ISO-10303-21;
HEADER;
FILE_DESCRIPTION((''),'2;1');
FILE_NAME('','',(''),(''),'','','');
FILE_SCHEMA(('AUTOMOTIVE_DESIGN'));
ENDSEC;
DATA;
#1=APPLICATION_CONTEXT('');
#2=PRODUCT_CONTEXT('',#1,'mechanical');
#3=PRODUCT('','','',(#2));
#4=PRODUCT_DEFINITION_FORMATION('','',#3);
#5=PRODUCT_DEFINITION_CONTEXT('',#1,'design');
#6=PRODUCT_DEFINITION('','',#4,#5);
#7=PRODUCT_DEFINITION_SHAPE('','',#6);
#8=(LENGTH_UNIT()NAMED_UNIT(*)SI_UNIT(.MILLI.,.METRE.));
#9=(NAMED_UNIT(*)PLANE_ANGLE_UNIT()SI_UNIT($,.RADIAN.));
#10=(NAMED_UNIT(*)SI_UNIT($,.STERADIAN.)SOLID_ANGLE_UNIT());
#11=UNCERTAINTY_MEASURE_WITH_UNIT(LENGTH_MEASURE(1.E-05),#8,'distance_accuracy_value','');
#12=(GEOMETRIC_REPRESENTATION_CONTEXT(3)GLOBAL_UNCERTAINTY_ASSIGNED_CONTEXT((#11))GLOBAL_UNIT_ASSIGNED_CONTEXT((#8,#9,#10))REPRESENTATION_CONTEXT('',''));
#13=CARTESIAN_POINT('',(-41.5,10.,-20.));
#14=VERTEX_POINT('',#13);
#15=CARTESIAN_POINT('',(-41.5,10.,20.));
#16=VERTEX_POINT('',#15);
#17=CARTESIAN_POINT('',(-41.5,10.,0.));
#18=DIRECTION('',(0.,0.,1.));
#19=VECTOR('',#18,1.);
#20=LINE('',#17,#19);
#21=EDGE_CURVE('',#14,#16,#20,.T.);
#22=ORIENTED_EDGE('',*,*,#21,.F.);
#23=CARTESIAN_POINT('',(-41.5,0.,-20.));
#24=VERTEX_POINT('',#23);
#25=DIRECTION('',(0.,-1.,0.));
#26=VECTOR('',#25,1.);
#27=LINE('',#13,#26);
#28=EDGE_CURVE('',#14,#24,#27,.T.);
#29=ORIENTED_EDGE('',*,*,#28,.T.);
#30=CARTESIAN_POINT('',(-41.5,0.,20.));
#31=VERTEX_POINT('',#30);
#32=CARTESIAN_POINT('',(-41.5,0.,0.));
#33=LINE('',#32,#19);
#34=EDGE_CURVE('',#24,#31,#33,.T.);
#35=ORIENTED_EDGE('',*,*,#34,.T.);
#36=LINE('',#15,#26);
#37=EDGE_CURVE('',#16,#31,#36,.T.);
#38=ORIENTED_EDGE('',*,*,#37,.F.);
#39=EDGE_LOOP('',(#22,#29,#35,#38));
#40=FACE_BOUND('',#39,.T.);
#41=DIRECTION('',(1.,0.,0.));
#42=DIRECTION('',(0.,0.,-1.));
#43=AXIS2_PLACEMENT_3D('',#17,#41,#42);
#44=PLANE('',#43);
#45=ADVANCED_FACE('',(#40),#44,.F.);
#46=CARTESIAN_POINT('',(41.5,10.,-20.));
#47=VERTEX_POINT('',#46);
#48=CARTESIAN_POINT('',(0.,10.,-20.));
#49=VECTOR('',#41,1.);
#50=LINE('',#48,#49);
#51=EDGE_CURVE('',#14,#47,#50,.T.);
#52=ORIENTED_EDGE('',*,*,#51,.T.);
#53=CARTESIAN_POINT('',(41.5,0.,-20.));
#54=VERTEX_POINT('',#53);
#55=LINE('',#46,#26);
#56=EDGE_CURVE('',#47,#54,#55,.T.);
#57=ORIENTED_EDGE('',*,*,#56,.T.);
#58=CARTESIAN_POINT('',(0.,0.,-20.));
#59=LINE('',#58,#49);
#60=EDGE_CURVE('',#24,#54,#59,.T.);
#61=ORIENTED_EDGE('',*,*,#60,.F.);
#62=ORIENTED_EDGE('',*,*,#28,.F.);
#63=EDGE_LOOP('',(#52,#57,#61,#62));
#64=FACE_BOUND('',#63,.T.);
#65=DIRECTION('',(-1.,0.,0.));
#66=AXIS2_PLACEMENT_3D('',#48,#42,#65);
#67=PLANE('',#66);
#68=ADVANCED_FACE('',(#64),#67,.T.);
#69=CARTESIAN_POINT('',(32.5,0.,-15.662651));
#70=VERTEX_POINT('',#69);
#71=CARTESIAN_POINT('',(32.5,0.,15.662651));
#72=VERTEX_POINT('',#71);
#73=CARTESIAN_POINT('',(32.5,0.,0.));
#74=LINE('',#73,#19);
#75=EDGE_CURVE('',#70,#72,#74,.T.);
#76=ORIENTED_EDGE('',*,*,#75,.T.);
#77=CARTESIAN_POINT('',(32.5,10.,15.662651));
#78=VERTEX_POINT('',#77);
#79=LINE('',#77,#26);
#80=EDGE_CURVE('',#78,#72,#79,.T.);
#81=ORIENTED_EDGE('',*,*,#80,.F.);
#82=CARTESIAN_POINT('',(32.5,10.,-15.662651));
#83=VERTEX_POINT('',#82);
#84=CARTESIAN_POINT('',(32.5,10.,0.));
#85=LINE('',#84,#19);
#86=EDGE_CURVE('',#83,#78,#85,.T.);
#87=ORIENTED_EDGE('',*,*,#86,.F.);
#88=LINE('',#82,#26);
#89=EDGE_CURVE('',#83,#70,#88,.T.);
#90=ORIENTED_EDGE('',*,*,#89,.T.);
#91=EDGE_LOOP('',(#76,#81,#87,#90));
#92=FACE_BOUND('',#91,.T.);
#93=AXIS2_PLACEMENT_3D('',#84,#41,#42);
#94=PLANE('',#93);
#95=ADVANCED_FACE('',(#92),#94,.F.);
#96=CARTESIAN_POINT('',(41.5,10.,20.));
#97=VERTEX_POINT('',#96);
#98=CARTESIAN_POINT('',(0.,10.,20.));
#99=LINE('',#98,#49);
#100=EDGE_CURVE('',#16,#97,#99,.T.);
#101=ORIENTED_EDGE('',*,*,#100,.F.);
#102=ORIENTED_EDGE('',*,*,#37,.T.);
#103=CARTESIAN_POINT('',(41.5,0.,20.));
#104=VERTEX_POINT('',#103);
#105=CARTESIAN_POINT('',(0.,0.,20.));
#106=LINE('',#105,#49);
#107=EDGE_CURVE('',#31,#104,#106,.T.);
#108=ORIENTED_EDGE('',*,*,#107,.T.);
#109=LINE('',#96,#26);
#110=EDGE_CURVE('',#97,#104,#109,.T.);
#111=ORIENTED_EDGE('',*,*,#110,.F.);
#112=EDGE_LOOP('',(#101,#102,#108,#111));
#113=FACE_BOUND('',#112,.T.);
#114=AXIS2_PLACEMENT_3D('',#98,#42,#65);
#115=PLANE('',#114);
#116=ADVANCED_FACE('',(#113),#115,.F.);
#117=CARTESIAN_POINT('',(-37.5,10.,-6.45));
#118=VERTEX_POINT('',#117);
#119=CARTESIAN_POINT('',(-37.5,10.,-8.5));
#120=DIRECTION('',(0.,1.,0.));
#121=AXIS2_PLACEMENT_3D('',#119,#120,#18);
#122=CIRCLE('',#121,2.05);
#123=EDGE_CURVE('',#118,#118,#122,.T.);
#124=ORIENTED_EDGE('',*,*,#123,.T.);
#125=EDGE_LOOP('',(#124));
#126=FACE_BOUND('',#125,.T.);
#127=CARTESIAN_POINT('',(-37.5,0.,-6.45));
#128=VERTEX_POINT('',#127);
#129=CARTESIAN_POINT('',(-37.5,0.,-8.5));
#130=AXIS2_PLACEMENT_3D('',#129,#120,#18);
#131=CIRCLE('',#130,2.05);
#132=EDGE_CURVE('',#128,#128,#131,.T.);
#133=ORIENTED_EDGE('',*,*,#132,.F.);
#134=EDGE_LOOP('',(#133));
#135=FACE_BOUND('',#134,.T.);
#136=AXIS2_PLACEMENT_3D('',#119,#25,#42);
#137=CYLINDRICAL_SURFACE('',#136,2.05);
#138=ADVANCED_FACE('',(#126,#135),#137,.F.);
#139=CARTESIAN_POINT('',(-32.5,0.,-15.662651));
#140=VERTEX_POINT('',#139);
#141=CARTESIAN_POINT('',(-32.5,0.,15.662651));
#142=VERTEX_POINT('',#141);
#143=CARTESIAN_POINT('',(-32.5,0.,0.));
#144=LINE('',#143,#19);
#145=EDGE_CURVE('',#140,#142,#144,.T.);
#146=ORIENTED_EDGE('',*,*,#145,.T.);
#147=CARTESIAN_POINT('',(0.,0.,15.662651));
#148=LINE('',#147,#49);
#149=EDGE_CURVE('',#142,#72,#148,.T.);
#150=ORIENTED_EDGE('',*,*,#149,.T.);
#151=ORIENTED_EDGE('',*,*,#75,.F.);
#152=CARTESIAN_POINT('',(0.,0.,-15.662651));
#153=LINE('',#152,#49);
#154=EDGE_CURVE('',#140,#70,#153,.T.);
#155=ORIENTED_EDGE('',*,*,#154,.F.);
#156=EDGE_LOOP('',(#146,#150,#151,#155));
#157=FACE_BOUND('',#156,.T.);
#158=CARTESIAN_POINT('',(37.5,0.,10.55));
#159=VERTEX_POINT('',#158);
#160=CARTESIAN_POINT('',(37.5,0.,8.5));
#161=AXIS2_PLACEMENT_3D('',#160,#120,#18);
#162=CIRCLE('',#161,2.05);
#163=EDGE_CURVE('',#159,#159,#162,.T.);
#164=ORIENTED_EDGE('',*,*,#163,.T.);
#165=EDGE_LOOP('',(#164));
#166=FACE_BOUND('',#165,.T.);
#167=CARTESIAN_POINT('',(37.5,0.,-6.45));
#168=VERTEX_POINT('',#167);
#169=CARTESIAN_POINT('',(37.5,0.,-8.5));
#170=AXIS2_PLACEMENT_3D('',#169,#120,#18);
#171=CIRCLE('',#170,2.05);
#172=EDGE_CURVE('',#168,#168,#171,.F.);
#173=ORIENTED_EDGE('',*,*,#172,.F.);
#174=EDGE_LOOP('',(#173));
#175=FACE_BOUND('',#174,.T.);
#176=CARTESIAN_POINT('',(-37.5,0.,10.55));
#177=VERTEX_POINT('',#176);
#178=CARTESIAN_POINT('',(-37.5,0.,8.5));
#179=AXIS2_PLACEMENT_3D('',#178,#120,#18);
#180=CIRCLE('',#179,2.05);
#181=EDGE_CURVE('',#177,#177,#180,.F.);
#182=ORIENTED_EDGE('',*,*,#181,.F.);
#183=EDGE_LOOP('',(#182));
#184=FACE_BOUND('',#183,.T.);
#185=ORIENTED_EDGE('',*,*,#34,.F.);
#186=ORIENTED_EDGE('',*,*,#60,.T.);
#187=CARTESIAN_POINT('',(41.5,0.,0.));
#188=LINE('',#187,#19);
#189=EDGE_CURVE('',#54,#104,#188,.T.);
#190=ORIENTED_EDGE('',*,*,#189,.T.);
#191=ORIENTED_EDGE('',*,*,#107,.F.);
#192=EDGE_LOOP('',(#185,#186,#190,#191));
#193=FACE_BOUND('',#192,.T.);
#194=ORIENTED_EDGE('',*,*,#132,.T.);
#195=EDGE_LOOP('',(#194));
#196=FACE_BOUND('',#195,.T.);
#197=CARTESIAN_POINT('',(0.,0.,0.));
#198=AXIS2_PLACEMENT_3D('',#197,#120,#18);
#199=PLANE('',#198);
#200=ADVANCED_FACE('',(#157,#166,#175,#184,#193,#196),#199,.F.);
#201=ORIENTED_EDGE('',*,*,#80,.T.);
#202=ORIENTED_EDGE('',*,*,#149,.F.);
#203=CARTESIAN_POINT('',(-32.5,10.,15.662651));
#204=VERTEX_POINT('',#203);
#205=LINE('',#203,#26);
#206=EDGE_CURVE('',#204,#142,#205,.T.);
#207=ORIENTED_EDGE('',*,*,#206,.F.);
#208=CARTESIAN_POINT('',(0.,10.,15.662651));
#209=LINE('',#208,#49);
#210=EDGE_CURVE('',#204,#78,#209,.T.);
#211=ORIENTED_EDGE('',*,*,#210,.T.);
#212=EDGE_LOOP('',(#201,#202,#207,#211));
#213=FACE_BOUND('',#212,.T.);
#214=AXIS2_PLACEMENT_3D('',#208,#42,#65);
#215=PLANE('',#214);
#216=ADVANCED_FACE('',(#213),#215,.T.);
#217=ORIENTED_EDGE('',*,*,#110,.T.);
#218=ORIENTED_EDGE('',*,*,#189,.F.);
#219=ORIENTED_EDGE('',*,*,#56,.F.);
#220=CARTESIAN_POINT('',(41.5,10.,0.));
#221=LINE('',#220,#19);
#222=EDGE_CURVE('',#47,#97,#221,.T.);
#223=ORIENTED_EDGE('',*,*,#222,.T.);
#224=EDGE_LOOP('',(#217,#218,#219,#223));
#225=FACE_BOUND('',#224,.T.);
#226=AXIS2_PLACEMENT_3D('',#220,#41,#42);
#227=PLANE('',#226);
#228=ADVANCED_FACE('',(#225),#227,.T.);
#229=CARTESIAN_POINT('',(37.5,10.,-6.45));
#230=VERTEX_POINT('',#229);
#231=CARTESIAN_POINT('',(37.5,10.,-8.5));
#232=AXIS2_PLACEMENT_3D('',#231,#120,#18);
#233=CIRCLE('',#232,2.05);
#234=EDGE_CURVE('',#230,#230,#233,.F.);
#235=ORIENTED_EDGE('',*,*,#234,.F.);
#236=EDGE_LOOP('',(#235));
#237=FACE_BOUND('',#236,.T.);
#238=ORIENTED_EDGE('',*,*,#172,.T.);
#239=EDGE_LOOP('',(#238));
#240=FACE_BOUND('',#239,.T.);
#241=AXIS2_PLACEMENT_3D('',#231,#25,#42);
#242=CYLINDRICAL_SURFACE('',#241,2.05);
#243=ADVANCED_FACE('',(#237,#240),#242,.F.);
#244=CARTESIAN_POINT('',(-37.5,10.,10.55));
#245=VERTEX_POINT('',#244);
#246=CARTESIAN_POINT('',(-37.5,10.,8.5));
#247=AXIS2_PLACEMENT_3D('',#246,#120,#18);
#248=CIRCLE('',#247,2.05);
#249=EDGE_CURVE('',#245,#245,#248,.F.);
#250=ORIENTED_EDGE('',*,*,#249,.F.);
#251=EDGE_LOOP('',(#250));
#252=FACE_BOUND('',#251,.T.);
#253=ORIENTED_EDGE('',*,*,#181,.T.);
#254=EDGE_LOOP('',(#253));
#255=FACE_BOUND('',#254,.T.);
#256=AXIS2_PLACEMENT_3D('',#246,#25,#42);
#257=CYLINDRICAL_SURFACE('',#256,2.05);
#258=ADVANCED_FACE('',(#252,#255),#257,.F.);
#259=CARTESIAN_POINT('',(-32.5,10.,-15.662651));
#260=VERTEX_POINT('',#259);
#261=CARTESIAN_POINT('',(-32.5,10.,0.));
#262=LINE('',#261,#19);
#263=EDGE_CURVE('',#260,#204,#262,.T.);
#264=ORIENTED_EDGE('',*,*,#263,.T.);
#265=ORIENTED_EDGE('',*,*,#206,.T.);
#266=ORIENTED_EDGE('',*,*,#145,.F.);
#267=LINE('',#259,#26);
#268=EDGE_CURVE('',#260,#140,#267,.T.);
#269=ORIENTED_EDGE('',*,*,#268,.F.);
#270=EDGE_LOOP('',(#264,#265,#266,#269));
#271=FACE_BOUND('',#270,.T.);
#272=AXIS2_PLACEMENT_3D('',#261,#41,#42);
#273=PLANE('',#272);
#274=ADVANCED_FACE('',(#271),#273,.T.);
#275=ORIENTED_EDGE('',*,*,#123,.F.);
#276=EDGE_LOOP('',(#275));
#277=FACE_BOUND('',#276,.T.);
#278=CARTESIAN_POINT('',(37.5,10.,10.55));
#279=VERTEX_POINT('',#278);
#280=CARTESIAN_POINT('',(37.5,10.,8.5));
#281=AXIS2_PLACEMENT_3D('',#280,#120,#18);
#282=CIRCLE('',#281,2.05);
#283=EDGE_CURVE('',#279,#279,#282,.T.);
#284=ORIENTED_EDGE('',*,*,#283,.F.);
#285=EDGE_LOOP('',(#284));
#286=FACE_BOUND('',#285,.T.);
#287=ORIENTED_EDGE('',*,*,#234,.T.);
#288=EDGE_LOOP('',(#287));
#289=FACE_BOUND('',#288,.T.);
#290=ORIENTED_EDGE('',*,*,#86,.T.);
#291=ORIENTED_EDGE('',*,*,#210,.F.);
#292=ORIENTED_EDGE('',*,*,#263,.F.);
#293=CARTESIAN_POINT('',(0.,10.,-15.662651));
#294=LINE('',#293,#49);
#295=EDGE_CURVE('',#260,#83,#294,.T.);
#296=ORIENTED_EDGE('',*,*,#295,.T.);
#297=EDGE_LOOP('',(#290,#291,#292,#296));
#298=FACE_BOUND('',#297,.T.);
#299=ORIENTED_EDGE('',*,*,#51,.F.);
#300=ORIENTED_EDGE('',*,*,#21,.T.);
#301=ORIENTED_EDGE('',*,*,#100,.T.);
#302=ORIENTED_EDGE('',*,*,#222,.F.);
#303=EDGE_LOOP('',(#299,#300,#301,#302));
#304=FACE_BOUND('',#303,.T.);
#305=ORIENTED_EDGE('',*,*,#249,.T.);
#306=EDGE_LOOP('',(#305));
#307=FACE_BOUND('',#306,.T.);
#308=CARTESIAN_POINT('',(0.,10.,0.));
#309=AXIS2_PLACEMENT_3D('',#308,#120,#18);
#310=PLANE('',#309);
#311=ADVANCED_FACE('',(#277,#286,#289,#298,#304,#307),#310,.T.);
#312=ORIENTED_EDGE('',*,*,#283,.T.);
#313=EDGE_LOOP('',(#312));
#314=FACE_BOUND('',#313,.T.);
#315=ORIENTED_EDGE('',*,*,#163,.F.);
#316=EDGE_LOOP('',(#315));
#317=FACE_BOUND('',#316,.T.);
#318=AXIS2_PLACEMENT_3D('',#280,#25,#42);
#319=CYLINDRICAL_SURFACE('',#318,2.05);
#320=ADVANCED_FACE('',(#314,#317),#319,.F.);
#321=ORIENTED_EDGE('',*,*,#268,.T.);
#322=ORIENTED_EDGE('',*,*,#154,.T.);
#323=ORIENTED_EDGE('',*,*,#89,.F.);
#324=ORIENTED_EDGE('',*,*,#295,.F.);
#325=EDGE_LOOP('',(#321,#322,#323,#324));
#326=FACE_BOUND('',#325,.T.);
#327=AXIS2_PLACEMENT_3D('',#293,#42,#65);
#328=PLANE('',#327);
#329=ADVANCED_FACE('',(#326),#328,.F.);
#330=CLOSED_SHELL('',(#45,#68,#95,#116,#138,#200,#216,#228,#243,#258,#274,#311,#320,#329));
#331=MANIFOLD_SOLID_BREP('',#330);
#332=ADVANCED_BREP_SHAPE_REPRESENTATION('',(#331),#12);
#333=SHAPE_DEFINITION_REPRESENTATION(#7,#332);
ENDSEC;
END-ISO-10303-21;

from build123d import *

# Parameters (mm, degrees)
SKETCH1_W           = 83
SKETCH1_H           = 40
SKETCH1_R           = 2.05
SKETCH1_W_2         = 65
SKETCH1_H_2         = 31.325301204
BOSS_EXTRUDE1_DEPTH = 10


with BuildPart() as part:
    # Sketch1 → Boss-Extrude1 (new body)
    with BuildSketch(Plane(origin=(0, 0, 0), x_dir=(1, 0, 0), z_dir=(0, 1, 0))):
        Rectangle(SKETCH1_W, SKETCH1_H)
        with Locations(Location((-37.5, 8.5, 0), (0, 0, 270))):
            Circle(SKETCH1_R, mode=Mode.SUBTRACT)
        with Locations(Location((-37.5, -8.5, 0), (0, 0, 270))):
            Circle(SKETCH1_R, mode=Mode.SUBTRACT)
        with Locations(Location((37.5, -8.5, 0), (0, 0, 270))):
            Circle(SKETCH1_R, mode=Mode.SUBTRACT)
        with Locations(Location((37.5, 8.5, 0), (0, 0, 270))):
            Circle(SKETCH1_R, mode=Mode.SUBTRACT)
        Rectangle(SKETCH1_W_2, SKETCH1_H_2, mode=Mode.SUBTRACT)
    extrude(amount=BOSS_EXTRUDE1_DEPTH)


solid = part.part
